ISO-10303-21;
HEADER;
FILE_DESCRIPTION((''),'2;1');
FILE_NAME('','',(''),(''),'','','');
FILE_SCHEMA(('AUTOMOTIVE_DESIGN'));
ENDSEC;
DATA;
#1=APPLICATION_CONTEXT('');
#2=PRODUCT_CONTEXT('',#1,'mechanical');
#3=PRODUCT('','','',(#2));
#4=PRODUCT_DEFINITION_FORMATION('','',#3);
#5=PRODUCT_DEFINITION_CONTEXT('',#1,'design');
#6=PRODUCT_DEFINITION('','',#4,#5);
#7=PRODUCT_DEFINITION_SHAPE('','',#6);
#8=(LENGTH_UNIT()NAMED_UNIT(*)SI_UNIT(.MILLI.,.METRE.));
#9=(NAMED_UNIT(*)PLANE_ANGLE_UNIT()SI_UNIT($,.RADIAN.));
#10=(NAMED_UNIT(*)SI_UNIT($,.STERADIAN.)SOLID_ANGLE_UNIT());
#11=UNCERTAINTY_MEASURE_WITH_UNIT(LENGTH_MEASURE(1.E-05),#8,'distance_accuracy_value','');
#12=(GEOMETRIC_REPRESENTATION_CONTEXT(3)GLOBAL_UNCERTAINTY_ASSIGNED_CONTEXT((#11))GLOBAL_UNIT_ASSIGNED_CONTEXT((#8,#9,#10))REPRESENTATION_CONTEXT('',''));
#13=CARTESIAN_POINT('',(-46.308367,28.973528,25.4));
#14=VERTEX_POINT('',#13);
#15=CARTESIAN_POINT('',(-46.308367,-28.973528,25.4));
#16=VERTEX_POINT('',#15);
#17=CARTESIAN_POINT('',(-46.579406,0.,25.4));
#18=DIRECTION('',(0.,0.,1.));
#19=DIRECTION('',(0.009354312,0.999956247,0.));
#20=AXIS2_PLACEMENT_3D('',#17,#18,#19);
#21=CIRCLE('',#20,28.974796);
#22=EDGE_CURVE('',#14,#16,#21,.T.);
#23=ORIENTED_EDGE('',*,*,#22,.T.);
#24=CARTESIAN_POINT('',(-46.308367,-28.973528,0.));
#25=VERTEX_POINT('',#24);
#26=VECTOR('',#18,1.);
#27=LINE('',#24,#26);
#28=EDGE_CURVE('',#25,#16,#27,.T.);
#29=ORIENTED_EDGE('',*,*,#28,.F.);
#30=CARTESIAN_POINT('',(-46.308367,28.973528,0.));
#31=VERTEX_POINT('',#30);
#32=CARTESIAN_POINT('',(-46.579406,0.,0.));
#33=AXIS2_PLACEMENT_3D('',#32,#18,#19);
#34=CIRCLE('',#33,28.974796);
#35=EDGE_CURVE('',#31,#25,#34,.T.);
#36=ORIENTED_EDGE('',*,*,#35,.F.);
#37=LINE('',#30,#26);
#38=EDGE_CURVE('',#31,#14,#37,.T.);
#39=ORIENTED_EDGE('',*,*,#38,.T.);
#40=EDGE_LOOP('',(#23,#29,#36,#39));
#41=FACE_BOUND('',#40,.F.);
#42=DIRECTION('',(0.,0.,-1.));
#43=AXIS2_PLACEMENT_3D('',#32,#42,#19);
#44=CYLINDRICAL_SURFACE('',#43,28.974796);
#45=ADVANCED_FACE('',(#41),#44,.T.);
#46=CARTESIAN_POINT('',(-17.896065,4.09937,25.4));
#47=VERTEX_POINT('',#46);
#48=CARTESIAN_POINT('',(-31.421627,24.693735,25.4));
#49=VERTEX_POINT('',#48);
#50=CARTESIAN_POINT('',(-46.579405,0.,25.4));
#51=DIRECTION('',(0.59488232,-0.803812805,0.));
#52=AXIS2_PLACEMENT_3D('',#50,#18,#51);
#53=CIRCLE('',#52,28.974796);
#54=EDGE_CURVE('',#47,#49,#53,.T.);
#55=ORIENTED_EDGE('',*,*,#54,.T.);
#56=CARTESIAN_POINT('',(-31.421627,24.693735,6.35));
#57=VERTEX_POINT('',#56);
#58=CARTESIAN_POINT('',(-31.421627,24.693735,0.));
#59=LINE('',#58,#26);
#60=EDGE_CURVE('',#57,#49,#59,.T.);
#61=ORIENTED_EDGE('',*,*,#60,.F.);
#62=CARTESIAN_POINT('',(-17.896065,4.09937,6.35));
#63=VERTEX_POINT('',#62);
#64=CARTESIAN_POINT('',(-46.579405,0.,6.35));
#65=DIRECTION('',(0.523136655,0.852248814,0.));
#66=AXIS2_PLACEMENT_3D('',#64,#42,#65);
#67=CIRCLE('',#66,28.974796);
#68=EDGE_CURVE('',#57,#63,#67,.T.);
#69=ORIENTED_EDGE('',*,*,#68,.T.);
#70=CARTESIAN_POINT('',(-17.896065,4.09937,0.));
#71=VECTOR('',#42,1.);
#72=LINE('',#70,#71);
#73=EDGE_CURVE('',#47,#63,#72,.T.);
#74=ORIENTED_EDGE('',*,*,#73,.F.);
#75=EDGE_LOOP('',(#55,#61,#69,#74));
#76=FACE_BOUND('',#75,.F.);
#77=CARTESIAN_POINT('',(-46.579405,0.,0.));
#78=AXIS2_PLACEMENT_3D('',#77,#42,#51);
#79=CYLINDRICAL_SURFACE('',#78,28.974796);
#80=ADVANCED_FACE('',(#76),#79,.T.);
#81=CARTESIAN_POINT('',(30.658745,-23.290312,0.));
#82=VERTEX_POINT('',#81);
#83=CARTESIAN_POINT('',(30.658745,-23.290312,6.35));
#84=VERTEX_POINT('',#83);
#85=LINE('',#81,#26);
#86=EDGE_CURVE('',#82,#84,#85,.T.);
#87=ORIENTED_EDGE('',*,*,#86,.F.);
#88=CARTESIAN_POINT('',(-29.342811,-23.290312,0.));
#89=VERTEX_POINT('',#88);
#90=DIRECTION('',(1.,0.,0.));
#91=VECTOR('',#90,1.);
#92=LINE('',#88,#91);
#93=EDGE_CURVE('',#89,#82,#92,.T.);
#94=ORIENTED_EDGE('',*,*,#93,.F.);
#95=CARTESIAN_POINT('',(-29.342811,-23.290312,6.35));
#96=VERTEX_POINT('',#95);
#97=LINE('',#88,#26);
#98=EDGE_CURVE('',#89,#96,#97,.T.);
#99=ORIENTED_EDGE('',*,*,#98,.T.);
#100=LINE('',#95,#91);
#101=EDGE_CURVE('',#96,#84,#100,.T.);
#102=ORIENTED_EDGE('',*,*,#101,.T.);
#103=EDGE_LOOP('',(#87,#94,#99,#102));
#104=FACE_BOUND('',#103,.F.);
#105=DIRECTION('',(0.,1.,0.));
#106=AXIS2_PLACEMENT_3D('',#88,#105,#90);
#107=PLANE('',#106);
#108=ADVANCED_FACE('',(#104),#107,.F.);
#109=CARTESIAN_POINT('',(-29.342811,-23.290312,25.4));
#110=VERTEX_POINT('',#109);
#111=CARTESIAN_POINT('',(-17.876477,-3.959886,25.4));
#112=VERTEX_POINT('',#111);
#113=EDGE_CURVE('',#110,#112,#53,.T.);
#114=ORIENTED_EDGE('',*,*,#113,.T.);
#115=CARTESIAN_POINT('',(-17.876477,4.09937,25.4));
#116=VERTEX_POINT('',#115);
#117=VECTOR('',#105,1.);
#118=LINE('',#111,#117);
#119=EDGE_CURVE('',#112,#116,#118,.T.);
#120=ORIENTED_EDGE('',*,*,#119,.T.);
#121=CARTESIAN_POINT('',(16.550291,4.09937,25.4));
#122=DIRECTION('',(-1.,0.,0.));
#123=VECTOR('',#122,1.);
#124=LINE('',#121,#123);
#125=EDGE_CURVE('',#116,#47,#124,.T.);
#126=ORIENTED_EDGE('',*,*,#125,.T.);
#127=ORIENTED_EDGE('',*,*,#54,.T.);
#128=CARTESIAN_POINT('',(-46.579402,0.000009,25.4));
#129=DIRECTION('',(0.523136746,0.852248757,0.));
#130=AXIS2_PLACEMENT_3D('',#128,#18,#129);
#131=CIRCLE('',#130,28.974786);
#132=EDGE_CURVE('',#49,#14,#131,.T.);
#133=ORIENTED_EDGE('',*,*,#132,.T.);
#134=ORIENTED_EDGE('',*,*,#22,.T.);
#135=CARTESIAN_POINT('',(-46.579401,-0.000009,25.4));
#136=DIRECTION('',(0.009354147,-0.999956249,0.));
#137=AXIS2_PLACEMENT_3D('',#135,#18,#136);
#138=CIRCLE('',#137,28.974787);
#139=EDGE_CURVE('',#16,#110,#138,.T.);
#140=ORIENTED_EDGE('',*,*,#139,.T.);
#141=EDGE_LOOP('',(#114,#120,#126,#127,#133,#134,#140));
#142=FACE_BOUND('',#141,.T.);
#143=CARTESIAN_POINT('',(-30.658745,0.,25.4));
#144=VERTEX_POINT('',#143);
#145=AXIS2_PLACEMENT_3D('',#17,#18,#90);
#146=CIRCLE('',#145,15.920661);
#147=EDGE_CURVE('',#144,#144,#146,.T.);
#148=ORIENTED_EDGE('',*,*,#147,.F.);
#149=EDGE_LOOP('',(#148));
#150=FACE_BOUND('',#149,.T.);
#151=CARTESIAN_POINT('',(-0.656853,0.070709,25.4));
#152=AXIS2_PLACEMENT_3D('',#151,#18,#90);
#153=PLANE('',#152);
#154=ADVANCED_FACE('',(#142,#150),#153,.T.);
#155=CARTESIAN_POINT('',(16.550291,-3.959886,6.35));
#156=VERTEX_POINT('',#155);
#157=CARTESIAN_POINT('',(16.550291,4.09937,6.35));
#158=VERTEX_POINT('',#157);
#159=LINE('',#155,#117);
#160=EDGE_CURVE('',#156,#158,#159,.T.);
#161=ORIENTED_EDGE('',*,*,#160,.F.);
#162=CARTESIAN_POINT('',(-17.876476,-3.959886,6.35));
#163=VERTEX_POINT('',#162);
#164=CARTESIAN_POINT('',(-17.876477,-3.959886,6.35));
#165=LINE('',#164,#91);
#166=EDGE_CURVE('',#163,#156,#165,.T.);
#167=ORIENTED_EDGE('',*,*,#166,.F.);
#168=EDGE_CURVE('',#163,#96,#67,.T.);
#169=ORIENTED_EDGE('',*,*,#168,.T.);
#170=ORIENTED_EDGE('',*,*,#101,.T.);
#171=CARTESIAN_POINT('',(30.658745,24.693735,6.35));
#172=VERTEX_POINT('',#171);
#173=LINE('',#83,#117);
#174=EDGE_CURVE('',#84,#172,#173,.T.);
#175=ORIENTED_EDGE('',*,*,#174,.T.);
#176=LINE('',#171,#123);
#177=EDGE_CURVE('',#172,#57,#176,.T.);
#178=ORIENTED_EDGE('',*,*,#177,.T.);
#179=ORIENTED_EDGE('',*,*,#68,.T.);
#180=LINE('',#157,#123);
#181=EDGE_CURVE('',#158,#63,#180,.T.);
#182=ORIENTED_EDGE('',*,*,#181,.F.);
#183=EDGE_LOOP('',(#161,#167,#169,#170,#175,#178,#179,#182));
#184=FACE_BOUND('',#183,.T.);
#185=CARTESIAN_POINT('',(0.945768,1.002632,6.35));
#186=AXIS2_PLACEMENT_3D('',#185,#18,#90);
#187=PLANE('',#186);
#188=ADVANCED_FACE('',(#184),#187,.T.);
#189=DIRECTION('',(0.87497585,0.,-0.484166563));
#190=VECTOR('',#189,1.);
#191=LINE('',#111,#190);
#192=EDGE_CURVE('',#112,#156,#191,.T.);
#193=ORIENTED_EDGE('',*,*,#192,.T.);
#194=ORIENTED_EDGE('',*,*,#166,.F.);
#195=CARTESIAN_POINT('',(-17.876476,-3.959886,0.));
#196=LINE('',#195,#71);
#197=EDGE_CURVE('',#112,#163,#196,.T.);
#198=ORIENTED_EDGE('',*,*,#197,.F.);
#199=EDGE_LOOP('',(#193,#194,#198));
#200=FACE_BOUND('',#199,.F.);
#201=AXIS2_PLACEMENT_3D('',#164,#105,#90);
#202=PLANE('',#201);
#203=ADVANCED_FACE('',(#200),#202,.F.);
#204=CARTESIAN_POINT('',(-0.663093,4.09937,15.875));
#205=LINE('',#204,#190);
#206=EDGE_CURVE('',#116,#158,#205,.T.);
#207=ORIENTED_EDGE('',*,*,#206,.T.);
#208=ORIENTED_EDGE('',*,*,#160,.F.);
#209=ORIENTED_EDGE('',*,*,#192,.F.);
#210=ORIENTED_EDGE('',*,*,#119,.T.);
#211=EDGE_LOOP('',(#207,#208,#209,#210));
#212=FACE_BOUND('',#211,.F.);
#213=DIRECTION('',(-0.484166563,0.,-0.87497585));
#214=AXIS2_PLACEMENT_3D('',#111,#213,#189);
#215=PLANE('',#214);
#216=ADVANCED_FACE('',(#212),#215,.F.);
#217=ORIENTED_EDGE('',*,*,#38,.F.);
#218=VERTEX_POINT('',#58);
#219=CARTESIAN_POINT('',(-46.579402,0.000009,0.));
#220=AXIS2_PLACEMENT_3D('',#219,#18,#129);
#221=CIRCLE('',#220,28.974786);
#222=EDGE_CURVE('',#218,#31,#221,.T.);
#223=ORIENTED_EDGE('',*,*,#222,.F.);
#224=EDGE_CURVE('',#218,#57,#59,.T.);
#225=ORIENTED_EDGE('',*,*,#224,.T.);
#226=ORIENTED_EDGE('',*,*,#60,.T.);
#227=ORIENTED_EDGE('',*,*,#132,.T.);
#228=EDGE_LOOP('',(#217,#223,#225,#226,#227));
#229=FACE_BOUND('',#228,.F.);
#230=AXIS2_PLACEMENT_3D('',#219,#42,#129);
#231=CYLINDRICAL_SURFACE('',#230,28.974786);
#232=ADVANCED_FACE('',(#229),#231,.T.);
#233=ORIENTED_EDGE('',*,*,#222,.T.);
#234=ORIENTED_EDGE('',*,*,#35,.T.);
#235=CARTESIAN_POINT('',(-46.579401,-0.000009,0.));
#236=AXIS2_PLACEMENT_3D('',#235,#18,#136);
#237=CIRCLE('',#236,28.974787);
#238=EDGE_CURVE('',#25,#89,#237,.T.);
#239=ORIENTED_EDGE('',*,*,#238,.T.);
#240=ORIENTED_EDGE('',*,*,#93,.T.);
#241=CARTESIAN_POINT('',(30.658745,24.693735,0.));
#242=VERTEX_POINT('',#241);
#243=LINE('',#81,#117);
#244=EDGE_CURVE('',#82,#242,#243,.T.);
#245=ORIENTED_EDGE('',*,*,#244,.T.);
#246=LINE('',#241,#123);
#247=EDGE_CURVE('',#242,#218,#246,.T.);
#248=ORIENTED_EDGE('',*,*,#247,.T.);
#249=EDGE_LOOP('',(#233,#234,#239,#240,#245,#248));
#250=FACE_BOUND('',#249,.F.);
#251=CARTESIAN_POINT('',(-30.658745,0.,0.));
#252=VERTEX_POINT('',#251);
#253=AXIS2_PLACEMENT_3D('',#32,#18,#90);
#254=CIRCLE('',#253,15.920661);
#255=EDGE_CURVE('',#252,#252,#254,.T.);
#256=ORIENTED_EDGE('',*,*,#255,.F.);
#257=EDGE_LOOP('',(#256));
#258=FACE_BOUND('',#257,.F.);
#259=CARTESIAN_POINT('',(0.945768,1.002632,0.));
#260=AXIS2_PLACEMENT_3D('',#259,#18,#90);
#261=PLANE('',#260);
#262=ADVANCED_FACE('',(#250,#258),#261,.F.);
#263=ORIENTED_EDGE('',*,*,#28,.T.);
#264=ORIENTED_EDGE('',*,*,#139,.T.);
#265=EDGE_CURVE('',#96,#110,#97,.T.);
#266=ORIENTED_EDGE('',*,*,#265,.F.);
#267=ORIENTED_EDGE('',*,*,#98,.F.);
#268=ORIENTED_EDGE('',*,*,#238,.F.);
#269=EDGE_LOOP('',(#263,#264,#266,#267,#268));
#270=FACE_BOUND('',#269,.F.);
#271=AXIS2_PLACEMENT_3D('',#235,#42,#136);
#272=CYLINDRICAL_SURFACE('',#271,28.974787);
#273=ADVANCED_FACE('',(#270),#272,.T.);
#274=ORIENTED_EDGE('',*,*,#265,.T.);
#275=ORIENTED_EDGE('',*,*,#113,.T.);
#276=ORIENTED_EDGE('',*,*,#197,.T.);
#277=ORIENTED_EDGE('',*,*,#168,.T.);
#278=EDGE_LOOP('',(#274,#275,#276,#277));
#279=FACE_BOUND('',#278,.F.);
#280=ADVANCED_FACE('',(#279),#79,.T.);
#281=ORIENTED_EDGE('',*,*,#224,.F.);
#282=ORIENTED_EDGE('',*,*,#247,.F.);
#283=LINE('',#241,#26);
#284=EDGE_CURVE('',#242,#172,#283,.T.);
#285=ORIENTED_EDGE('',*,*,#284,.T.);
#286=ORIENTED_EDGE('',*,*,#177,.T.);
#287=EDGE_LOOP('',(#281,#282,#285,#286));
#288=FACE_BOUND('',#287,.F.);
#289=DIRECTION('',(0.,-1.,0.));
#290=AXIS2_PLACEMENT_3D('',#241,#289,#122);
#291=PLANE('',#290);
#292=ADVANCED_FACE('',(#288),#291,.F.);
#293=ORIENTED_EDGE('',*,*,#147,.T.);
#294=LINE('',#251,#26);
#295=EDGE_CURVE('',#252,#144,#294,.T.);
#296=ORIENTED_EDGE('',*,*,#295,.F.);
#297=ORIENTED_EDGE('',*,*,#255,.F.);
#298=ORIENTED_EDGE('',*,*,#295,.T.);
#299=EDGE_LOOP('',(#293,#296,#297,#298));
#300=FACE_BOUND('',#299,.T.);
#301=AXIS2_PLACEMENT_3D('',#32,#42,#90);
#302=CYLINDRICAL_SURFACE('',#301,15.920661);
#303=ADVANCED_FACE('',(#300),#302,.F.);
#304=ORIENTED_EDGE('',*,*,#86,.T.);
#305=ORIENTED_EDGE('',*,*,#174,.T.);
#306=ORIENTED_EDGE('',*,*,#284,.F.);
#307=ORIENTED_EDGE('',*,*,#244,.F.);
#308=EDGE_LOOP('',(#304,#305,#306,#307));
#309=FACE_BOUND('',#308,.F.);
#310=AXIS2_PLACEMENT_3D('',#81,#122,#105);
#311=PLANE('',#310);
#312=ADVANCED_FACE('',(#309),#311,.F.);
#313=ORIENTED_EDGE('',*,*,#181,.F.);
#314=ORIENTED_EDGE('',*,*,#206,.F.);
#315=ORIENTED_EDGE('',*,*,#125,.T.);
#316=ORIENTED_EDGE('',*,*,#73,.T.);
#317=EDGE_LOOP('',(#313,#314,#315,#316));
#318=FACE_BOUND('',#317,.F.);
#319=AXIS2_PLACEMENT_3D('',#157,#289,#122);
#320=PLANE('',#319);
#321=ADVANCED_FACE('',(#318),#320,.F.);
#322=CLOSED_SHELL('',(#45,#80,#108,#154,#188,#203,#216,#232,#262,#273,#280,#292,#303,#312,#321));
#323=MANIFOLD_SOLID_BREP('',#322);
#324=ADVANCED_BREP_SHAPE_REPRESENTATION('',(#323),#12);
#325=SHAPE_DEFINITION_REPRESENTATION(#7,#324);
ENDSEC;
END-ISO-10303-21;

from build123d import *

# Parameters (mm, degrees)
F0_R     = 15.920661
F1_DEPTH = 25.4
F2_DEPTH = 6.35
F4_DEPTH = 19.05
F6_DEPTH = 1752.6


with BuildPart() as f1:
    # F0 (on Top) → F1 (new body)
    with BuildSketch(Plane.XY):
        with BuildLine():
            ThreePointArc((-31.421627, 24.693735), (-38.573704, 27.846859), (-46.308367, 28.973528))
            ThreePointArc((-46.308367, 28.973528), (-75.554202, 0), (-46.308367, -28.973528))
            ThreePointArc((-46.308367, -28.973528), (-37.375926, -27.474257), (-29.342811, -23.290312))
            ThreePointArc((-29.342811, -23.290312), (-17.631762, 1.2541), (-31.421627, 24.693735))
        make_face()
        with Locations((-46.579406, 0)):
            Circle(F0_R, mode=Mode.SUBTRACT)
    extrude(amount=F1_DEPTH)

    # F0 (on Top) → F2 (join)
    with BuildSketch(Plane.XY):
        with BuildLine():
            Line((30.658745, 24.693735), (-31.421627, 24.693735))
            ThreePointArc((-31.421627, 24.693735), (-17.631762, 1.2541), (-29.342811, -23.290312))
            Line((-29.342811, -23.290312), (30.658745, -23.290312))
            Line((30.658745, -23.290312), (30.658745, 0))
            Line((30.658745, 0), (30.658745, 24.693735))
        make_face()
    extrude(amount=F2_DEPTH)

    # F3 (on face) → F4 (join)
    with BuildSketch(Plane.XY.offset(6.35)):
        with BuildLine():
            Line((16.550291, 4.09937), (-17.896066, 4.09937))
            ThreePointArc((-17.896066, 4.09937), (-17.604695, 0.070426), (-17.876477, -3.959886))
            Line((-17.876477, -3.959886), (16.550291, -3.959886))
            Line((16.550291, -3.959886), (16.550291, 4.09937))
        make_face()
    extrude(amount=F4_DEPTH)

    # F5 (on face) → F6 (cut)
    with BuildSketch(Plane.XZ.offset(3.959886)):
        Polygon((16.550291, 25.4), (-17.876477, 25.4), (16.550291, 6.35), align=None)
    extrude(amount=-F6_DEPTH, mode=Mode.SUBTRACT)


solid = f1.part
